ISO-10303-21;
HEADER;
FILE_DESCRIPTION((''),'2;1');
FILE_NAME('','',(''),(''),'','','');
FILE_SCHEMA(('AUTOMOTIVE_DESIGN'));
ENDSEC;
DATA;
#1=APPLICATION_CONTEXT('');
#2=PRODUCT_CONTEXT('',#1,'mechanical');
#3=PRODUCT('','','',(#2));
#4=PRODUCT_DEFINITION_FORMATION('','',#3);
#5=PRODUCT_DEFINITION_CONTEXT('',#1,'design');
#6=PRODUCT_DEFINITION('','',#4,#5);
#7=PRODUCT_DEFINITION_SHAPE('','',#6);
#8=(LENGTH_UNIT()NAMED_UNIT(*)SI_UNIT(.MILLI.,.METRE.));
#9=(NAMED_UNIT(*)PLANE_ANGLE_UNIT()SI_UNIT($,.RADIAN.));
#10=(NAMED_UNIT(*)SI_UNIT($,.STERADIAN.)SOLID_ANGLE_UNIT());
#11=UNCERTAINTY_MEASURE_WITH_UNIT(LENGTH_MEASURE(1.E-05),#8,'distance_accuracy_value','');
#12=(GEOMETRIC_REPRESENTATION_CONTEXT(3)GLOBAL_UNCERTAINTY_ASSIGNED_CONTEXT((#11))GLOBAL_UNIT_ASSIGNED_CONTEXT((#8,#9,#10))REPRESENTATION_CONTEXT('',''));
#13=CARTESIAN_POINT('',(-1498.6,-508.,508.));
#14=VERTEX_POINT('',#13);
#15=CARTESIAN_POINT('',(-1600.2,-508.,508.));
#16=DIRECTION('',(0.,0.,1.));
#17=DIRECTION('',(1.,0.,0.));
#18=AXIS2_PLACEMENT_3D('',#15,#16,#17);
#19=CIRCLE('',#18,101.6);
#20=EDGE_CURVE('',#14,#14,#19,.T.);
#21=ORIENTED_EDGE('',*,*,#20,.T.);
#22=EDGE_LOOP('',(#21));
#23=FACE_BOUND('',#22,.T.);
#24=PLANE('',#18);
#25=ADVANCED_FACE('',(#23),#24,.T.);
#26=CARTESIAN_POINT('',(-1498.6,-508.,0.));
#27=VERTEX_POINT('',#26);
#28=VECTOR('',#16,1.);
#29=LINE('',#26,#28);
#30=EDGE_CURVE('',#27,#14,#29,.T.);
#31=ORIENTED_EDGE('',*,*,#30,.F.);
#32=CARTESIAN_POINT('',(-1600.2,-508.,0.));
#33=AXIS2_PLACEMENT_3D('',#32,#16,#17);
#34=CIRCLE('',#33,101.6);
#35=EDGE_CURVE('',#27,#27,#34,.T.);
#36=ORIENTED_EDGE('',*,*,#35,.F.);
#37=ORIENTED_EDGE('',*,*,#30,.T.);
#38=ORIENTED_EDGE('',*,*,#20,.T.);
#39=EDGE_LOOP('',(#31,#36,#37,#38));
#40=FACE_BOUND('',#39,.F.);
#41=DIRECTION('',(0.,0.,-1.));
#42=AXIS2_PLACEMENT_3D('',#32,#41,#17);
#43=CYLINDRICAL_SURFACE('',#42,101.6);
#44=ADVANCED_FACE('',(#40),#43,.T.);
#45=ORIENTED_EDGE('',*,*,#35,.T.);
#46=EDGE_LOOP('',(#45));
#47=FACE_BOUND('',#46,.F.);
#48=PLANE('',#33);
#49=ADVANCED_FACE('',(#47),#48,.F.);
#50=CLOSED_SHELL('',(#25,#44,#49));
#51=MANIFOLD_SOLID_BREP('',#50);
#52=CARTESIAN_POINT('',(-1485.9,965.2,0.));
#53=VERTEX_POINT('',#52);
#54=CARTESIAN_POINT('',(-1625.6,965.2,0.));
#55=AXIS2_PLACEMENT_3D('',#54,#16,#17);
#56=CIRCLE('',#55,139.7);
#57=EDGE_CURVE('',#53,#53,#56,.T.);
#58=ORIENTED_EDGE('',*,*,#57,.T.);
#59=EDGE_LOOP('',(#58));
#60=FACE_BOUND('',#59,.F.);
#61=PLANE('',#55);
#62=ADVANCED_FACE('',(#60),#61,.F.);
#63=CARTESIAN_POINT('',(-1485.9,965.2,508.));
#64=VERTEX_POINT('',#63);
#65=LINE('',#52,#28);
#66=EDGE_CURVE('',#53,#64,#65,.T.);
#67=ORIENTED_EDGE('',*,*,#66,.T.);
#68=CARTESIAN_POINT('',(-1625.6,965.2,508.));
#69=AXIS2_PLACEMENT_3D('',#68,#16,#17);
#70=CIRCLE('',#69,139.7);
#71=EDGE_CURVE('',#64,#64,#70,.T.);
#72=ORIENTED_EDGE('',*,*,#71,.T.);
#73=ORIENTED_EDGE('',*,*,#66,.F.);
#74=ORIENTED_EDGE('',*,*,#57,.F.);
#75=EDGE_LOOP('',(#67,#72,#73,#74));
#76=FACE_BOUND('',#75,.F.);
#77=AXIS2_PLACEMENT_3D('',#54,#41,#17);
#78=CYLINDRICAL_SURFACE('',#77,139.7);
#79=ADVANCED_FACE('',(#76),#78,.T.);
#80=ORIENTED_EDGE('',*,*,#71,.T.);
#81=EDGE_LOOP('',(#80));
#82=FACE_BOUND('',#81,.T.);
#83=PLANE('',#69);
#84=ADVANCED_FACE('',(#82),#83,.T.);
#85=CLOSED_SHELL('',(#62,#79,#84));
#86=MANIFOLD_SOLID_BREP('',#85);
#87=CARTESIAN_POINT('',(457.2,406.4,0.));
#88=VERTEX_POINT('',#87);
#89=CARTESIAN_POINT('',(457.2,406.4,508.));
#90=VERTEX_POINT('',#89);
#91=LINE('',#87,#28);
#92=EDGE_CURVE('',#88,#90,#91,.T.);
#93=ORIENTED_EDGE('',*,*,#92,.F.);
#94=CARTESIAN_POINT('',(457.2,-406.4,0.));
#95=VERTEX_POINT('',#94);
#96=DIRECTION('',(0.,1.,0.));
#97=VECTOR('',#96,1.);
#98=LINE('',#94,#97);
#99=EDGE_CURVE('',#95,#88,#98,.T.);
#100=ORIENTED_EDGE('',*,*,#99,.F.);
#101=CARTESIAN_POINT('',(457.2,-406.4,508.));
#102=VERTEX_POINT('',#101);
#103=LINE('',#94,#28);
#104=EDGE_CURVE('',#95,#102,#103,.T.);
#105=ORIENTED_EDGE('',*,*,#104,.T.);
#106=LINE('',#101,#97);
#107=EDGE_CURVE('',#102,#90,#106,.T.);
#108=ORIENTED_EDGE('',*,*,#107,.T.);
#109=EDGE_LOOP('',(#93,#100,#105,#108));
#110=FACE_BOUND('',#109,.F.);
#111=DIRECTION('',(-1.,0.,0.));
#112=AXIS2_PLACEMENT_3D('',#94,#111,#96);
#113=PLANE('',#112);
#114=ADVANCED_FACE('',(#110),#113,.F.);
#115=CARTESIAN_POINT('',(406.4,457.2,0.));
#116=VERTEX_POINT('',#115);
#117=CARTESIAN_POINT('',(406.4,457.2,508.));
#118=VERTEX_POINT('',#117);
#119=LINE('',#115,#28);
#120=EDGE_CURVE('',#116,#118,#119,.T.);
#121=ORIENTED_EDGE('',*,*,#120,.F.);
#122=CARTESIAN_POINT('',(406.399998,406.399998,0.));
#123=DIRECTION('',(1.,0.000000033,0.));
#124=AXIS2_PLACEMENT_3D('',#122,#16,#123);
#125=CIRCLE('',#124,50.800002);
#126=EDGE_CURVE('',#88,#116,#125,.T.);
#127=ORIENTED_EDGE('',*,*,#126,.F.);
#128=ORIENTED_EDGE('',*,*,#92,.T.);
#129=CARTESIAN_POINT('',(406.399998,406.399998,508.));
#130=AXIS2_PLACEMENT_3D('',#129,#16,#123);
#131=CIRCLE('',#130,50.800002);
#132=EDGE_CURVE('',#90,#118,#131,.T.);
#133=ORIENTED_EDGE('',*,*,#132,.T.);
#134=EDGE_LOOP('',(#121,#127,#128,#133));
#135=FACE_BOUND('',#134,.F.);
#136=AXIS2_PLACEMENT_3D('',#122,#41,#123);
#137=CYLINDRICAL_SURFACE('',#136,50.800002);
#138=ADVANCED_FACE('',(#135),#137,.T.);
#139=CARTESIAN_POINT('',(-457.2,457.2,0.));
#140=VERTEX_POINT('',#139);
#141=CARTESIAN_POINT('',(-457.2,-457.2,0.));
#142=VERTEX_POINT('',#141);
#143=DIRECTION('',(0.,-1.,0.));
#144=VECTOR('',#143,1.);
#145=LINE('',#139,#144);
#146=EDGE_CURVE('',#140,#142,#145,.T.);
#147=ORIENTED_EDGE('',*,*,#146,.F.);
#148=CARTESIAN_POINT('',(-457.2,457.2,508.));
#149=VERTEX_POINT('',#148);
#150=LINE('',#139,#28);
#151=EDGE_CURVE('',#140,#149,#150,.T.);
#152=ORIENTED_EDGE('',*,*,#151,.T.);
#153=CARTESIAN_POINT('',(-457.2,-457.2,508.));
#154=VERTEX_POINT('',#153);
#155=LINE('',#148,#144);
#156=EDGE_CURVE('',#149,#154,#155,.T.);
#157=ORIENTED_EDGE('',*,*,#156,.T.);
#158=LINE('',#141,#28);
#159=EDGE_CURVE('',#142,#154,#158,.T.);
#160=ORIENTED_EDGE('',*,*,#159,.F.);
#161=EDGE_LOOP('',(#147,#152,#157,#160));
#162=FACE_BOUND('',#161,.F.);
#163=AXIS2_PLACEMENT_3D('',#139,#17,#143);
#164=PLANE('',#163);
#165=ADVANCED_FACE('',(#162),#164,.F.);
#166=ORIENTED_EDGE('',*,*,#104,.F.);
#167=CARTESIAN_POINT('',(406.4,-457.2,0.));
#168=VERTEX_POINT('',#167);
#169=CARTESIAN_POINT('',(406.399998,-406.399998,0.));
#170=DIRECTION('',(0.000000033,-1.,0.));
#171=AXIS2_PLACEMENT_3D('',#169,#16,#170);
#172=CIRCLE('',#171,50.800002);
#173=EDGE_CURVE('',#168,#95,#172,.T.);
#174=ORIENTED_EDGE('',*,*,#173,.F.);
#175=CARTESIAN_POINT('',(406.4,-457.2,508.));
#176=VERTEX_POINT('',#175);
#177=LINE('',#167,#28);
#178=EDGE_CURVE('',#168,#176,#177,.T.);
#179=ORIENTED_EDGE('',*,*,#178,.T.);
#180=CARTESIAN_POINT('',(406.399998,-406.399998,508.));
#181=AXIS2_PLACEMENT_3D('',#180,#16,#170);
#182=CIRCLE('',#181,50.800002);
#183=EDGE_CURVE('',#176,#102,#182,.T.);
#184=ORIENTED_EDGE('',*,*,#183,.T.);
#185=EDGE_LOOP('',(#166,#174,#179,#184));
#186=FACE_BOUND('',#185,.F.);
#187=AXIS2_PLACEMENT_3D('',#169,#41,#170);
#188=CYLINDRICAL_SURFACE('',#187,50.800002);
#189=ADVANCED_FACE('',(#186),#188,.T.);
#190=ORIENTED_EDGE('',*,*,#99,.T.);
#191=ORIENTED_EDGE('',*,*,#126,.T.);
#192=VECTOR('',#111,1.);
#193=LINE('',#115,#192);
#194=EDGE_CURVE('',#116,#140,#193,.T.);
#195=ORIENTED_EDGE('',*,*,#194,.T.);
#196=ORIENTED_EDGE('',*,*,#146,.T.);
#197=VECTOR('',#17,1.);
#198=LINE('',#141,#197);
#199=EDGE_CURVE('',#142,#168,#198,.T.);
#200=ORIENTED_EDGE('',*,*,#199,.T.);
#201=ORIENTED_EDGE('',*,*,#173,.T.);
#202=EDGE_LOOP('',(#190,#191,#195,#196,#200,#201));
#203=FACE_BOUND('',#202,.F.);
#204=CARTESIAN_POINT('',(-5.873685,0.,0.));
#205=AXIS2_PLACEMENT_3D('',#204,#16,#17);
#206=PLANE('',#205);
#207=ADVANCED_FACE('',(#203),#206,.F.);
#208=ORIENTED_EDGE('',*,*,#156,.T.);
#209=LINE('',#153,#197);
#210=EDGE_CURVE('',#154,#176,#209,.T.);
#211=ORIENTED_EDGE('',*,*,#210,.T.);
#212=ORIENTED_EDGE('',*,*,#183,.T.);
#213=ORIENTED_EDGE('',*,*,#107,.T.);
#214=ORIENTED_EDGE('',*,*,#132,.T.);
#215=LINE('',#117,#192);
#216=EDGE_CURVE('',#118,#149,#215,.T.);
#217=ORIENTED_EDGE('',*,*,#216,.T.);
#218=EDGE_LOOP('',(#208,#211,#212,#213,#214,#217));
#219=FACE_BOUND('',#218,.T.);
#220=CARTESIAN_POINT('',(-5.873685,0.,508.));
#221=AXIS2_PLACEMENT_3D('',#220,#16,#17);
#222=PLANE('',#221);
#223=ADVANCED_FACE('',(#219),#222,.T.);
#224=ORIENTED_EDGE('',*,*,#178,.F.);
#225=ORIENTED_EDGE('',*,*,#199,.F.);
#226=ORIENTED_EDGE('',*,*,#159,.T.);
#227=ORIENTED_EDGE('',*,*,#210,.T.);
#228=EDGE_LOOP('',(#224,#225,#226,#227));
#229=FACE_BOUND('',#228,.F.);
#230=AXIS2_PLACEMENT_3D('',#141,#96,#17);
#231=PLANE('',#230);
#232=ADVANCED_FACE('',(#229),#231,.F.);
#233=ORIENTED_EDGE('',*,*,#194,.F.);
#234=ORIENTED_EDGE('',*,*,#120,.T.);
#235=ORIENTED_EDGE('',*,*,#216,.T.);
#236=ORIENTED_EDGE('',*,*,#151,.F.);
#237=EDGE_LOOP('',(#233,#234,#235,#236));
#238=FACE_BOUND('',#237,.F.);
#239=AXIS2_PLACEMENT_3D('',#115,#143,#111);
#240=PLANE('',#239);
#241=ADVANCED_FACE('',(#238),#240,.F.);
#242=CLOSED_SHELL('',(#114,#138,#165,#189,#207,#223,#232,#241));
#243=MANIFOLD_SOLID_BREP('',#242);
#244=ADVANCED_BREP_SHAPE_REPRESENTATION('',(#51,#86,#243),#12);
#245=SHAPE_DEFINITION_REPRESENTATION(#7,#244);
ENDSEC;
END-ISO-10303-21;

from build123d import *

# Parameters (mm, degrees)
F1_DEPTH = 508
F2_R     = 101.6
F3_DEPTH = 508
F4_R     = 139.7
F5_DEPTH = 508


with BuildPart() as f1:
    # F0 (on Top) → F1 (new body)
    with BuildSketch(Plane.XY):
        with BuildLine():
            ThreePointArc((457.2, 406.4), (442.321024, 442.321024), (406.4, 457.2))
            Line((406.4, 457.2), (-457.2, 457.2))
            Line((-457.2, 457.2), (-457.2, -457.2))
            Line((-457.2, -457.2), (406.4, -457.2))
            ThreePointArc((406.4, -457.2), (442.321024, -442.321024), (457.2, -406.4))
            Line((457.2, -406.4), (457.2, 406.4))
        make_face()
    extrude(amount=F1_DEPTH)


with BuildPart() as f3:
    # F2 (on Top) → F3 (new body)
    with BuildSketch(Plane.XY):
        with Locations((-1600.2, -508)):
            Circle(F2_R)
    extrude(amount=F3_DEPTH)


with BuildPart() as f5:
    # F4 (on Top) → F5 (new body)
    with BuildSketch(Plane.XY):
        with Locations((-1625.6, 965.2)):
            Circle(F4_R)
    extrude(amount=F5_DEPTH)


solid = Compound([f1.part, f3.part, f5.part])
